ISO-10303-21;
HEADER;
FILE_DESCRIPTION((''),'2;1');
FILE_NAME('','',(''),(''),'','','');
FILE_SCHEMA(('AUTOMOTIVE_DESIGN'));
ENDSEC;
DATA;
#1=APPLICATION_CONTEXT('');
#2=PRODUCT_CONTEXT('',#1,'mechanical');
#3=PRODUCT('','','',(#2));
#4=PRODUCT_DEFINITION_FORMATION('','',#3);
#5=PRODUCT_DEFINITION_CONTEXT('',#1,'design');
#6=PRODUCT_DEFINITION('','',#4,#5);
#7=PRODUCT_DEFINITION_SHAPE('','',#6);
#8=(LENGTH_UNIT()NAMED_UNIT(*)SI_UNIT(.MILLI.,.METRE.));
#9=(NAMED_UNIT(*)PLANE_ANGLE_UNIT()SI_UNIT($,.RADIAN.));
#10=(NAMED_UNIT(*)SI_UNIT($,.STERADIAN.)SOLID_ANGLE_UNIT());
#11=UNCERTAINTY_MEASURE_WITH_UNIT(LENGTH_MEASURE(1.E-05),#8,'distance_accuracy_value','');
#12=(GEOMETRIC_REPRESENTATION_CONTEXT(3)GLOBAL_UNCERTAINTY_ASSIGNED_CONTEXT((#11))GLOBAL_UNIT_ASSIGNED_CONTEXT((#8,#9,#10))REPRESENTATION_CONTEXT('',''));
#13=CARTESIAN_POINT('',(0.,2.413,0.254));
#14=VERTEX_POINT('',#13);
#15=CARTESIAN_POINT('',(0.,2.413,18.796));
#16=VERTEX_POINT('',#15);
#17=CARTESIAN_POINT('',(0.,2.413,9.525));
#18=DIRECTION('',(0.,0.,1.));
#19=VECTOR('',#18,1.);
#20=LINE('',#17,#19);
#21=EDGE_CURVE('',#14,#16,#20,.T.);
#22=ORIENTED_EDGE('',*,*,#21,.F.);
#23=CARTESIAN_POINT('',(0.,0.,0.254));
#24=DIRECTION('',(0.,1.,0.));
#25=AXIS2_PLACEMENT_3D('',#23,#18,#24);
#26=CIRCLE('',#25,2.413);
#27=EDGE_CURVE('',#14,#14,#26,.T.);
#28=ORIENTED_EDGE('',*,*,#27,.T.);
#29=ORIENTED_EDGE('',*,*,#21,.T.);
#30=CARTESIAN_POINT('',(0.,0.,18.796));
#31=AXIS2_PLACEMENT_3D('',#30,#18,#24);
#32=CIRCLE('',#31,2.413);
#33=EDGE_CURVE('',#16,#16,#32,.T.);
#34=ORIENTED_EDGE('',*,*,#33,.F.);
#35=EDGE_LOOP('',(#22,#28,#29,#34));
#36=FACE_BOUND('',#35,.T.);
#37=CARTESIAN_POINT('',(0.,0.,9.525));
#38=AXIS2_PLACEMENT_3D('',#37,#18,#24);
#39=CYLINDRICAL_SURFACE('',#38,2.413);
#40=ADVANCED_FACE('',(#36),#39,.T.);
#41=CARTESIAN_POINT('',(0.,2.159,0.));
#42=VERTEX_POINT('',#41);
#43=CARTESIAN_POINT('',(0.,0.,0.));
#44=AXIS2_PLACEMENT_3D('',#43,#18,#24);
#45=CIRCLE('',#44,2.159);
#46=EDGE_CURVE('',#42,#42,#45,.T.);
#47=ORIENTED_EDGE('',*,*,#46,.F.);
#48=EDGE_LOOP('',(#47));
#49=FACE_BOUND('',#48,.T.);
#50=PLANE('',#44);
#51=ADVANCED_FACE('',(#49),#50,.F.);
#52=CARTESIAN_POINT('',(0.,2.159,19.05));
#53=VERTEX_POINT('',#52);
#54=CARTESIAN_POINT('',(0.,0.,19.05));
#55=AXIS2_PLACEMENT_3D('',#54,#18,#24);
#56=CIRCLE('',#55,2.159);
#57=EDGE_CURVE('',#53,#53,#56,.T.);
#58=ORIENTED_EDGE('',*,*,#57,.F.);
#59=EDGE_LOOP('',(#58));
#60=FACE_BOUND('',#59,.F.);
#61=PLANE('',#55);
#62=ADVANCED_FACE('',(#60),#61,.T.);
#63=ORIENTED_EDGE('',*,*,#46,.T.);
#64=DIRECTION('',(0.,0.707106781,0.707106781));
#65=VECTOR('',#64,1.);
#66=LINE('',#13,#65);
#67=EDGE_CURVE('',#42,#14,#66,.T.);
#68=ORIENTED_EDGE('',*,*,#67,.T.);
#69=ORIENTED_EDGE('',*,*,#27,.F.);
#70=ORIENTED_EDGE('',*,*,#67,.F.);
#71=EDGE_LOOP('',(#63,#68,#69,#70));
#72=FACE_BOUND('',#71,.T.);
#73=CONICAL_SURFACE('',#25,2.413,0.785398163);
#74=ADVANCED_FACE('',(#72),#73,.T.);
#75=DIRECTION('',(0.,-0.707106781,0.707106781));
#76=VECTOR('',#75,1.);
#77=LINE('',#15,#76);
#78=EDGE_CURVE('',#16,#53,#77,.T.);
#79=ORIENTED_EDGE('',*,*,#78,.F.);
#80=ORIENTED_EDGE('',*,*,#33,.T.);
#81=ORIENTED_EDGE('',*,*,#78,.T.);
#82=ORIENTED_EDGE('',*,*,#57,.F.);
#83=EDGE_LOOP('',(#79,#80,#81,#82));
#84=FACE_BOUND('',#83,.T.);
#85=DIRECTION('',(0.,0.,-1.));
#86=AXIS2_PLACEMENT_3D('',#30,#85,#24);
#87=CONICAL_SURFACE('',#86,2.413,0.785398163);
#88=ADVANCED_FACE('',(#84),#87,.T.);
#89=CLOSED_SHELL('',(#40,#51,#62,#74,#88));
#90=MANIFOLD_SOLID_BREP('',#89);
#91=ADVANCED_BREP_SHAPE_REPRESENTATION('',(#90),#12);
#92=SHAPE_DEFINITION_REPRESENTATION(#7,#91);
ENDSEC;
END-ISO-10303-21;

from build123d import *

# Parameters (mm, degrees)
F0_W    = 2.413
F0_H    = 19.05
F2_SIZE = 0.254


with BuildPart() as f1:
    # F0 (on Right) → F1 (revolve)
    with BuildSketch(Plane.YZ):
        with Locations((1.2065, 9.525)):
            Rectangle(F0_W, F0_H)
    revolve(axis=Axis((0, 0, 9.525), (0, 0, 1)))

    # F2
    f2_edges = [f1.edges().sort_by_distance(p)[0] for p in [
        (0, -2.413, 19.05),
        (0, -2.413, 0),
    ]]
    chamfer(f2_edges, length=F2_SIZE)


solid = f1.part
